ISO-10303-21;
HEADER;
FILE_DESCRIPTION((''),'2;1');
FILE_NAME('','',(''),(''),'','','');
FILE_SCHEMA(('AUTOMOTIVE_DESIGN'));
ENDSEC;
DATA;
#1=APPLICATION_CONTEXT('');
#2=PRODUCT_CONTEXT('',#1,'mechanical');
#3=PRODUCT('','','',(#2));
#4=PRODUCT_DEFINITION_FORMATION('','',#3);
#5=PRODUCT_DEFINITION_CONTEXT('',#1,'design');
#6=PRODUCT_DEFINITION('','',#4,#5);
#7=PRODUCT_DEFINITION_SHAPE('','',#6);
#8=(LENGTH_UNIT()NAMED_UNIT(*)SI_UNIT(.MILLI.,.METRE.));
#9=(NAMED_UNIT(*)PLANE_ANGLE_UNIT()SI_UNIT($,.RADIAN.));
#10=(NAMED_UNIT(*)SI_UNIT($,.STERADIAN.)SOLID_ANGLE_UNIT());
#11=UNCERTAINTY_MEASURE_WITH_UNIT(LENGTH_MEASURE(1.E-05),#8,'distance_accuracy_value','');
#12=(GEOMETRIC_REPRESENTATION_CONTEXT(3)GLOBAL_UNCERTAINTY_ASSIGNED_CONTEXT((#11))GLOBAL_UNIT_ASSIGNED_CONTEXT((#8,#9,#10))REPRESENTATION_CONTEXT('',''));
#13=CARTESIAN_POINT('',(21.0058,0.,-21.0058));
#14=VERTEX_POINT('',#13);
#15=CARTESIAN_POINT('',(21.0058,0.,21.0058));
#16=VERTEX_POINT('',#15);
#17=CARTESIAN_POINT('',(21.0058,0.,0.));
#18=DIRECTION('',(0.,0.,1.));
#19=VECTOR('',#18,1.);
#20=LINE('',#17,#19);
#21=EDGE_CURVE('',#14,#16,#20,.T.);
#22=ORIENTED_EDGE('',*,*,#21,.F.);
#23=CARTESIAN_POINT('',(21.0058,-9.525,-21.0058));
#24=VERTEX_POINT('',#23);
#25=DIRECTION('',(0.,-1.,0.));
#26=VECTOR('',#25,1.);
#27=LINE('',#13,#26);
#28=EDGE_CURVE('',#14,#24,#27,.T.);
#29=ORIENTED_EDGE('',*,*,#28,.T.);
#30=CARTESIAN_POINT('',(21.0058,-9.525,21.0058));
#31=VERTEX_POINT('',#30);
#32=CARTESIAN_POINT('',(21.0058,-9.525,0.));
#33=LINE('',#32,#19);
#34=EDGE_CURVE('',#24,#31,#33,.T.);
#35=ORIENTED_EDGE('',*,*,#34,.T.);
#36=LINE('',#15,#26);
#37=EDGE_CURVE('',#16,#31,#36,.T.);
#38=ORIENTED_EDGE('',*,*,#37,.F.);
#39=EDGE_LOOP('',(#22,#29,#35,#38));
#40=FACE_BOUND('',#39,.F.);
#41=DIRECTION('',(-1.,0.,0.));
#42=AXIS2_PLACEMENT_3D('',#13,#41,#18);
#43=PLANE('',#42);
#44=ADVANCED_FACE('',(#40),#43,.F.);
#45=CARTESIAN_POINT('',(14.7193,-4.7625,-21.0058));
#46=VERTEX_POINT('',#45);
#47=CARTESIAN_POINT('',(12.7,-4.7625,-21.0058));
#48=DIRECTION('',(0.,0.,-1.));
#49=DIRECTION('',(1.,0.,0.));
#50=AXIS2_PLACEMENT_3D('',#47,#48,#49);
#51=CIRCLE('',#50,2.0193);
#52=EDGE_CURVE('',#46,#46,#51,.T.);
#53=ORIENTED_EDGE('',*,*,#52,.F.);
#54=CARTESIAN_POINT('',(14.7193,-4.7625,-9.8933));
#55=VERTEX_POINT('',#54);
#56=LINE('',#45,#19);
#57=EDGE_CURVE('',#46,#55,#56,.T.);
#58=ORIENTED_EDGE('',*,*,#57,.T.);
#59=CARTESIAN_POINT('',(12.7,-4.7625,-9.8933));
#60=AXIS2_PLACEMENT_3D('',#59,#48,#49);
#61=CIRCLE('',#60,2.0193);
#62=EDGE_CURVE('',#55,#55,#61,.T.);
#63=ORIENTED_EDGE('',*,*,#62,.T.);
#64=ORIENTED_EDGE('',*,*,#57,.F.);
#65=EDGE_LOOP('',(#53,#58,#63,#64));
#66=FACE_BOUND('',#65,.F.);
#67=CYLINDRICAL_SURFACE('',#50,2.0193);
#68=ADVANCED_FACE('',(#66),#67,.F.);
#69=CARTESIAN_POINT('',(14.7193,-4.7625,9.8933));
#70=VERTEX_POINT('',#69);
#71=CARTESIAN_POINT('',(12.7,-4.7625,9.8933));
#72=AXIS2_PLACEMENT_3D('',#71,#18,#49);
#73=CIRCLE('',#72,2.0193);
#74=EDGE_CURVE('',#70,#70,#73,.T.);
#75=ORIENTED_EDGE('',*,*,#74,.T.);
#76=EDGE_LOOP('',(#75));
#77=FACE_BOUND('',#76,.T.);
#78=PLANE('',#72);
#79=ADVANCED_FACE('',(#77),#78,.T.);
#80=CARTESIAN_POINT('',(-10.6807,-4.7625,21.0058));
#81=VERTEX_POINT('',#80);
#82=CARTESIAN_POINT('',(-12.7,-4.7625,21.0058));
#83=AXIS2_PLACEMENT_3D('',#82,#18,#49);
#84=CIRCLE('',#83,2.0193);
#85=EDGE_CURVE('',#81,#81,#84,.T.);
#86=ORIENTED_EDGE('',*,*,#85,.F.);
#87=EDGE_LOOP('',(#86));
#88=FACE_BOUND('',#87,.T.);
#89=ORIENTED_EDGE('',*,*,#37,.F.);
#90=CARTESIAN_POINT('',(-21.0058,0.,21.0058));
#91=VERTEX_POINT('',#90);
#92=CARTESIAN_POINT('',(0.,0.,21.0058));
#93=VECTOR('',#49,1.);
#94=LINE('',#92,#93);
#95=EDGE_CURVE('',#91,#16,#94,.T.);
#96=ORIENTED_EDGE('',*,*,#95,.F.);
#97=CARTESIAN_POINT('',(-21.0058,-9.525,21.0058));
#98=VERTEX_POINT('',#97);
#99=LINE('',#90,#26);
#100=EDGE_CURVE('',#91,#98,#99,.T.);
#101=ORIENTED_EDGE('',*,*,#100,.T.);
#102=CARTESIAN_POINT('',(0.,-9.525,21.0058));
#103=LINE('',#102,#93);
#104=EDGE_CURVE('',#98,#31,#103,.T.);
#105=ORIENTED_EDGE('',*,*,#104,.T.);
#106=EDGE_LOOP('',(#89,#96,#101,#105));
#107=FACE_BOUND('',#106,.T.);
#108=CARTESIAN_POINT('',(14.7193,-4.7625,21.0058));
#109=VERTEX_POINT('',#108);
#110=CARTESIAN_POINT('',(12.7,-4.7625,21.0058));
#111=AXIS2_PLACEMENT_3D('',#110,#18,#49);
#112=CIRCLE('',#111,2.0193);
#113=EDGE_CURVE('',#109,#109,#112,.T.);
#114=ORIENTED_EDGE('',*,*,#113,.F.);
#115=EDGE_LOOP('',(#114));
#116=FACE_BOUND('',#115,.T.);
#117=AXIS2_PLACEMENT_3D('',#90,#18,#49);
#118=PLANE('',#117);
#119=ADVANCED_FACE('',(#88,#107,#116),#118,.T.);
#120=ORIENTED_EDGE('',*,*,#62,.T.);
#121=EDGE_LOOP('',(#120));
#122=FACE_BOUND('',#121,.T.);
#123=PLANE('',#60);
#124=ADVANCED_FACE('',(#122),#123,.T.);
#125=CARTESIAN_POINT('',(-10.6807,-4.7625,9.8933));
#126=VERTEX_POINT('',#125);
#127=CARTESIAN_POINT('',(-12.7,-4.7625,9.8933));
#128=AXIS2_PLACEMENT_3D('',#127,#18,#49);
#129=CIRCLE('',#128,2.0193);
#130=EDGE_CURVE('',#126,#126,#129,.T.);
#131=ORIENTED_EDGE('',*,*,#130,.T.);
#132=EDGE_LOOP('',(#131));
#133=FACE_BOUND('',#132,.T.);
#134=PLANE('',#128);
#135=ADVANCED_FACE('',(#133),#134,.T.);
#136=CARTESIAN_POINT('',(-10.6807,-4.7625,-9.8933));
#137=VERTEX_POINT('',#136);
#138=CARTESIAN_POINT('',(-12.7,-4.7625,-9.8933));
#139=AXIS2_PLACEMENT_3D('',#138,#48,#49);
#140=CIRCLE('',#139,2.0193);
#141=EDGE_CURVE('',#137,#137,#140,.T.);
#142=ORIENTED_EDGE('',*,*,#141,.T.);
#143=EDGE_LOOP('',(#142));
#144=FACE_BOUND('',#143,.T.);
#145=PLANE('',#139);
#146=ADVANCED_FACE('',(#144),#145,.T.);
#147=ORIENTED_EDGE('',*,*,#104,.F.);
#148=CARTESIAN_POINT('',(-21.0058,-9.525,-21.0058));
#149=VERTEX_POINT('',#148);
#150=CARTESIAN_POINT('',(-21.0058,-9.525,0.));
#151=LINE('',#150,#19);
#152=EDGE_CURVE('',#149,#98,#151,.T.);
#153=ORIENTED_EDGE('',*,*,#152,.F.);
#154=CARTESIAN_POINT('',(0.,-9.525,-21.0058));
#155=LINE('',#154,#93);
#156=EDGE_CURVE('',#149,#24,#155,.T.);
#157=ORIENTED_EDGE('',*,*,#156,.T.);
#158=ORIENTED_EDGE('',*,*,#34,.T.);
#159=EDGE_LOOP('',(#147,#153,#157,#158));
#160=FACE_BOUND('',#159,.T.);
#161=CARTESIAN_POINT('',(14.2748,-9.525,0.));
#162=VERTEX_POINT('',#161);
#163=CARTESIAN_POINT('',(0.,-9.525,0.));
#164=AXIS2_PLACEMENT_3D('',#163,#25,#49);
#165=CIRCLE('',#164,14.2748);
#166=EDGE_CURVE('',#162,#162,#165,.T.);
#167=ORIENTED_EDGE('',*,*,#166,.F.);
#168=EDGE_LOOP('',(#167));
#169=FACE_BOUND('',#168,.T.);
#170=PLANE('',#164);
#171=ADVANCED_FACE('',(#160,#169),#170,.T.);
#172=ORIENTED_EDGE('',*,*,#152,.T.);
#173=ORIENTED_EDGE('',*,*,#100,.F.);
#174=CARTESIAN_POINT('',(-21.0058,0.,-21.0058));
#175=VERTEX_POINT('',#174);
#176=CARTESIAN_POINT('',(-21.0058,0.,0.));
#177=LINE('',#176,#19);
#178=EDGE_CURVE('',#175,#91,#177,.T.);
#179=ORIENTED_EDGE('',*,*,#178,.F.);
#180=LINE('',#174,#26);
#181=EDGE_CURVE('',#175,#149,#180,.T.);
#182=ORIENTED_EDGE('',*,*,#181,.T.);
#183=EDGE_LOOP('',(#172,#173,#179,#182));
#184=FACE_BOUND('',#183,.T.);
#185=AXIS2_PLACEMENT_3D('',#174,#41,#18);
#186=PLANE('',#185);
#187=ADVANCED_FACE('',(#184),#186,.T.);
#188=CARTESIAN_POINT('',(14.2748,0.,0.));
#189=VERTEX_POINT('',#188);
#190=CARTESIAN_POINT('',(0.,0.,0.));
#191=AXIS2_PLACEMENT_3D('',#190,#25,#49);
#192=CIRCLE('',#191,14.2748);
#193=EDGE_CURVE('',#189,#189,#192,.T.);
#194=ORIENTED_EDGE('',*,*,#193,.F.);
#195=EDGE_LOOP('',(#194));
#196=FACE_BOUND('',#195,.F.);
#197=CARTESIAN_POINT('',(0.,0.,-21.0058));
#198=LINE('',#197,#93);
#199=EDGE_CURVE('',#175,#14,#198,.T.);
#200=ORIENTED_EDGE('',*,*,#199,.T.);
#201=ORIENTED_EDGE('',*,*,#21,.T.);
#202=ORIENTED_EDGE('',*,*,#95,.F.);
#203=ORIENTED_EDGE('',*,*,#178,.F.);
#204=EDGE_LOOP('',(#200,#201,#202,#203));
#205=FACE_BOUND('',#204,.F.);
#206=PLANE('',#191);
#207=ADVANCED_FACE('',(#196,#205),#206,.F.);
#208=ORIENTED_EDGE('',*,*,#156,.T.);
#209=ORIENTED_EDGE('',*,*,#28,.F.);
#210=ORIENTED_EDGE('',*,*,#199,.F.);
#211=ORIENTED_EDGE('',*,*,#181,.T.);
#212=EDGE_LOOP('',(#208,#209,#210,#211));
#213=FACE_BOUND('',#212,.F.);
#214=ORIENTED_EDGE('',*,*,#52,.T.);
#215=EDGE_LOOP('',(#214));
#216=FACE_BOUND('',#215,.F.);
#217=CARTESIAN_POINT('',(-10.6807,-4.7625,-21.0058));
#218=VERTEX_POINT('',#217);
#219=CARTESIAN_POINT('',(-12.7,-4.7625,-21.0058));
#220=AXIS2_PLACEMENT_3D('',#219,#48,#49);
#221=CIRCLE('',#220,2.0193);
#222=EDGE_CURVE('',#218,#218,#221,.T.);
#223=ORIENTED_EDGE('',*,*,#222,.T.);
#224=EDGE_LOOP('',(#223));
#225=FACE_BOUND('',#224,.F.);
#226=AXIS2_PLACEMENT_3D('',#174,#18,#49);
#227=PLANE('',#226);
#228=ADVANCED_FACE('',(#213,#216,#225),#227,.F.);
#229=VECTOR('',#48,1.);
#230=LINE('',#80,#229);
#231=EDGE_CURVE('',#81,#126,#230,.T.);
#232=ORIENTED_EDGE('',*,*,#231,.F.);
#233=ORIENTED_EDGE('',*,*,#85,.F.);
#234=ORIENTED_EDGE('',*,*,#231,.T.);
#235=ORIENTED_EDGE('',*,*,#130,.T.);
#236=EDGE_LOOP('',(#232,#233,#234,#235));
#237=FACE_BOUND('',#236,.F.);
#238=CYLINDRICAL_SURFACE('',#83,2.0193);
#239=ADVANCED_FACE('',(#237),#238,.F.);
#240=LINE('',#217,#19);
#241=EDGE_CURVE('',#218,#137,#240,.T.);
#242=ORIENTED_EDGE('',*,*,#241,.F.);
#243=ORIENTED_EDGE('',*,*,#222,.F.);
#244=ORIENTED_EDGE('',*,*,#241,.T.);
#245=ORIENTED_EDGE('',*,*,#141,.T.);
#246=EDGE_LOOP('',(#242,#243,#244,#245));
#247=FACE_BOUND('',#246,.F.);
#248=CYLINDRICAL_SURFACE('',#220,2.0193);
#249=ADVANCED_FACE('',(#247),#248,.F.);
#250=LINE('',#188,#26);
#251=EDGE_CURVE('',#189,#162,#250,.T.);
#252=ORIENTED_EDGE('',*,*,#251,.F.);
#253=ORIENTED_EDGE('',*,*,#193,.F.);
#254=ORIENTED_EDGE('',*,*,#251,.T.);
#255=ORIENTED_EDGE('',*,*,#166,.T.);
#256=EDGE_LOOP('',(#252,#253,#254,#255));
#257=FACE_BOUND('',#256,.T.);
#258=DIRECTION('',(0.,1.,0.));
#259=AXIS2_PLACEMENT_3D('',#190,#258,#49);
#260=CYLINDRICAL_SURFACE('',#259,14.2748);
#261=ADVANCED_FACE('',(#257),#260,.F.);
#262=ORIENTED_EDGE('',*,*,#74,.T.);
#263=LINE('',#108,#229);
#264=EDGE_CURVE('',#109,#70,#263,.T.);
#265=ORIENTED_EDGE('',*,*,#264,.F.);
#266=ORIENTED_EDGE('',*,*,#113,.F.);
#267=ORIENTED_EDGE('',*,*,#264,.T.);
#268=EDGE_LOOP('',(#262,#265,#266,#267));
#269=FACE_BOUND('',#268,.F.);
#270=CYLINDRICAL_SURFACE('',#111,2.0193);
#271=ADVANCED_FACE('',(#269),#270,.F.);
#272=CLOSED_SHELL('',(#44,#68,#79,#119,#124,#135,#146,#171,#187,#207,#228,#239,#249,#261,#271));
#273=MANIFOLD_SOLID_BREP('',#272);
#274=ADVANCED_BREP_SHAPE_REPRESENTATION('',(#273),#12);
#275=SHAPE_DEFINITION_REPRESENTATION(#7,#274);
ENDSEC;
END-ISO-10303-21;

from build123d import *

# Parameters (mm, degrees)
F0_W     = 42.0116
F0_H     = 42.0116
F0_R     = 14.2748
F1_DEPTH = 9.525
F2_R     = 2.0193
F3_DEPTH = 11.1125
F4_R     = 2.0193
F5_DEPTH = 11.1125


with BuildPart() as f1:
    # F0 (on Front) → F1 (new body)
    with BuildSketch(Plane.XZ):
        Rectangle(F0_W, F0_H)
        Circle(F0_R, mode=Mode.SUBTRACT)
    extrude(amount=F1_DEPTH)

    # F2 (on face) → F3 (cut)
    with BuildSketch(Plane.XY.offset(21.0058)):
        with Locations((-12.7, -4.7625)):
            Circle(F2_R)
        with Locations((12.7, -4.7625)):
            Circle(F2_R)
    extrude(amount=-F3_DEPTH, mode=Mode.SUBTRACT)

    # F4 (on face) → F5 (cut)
    with BuildSketch(Plane(origin=(0, 0, -21.0058), x_dir=(1, 0, 0), z_dir=(0, 0, -1))):
        with Locations((-12.7, 4.7625)):
            Circle(F4_R)
        with Locations((12.7, 4.7625)):
            Circle(F4_R)
    extrude(amount=-F5_DEPTH, mode=Mode.SUBTRACT)


solid = f1.part
